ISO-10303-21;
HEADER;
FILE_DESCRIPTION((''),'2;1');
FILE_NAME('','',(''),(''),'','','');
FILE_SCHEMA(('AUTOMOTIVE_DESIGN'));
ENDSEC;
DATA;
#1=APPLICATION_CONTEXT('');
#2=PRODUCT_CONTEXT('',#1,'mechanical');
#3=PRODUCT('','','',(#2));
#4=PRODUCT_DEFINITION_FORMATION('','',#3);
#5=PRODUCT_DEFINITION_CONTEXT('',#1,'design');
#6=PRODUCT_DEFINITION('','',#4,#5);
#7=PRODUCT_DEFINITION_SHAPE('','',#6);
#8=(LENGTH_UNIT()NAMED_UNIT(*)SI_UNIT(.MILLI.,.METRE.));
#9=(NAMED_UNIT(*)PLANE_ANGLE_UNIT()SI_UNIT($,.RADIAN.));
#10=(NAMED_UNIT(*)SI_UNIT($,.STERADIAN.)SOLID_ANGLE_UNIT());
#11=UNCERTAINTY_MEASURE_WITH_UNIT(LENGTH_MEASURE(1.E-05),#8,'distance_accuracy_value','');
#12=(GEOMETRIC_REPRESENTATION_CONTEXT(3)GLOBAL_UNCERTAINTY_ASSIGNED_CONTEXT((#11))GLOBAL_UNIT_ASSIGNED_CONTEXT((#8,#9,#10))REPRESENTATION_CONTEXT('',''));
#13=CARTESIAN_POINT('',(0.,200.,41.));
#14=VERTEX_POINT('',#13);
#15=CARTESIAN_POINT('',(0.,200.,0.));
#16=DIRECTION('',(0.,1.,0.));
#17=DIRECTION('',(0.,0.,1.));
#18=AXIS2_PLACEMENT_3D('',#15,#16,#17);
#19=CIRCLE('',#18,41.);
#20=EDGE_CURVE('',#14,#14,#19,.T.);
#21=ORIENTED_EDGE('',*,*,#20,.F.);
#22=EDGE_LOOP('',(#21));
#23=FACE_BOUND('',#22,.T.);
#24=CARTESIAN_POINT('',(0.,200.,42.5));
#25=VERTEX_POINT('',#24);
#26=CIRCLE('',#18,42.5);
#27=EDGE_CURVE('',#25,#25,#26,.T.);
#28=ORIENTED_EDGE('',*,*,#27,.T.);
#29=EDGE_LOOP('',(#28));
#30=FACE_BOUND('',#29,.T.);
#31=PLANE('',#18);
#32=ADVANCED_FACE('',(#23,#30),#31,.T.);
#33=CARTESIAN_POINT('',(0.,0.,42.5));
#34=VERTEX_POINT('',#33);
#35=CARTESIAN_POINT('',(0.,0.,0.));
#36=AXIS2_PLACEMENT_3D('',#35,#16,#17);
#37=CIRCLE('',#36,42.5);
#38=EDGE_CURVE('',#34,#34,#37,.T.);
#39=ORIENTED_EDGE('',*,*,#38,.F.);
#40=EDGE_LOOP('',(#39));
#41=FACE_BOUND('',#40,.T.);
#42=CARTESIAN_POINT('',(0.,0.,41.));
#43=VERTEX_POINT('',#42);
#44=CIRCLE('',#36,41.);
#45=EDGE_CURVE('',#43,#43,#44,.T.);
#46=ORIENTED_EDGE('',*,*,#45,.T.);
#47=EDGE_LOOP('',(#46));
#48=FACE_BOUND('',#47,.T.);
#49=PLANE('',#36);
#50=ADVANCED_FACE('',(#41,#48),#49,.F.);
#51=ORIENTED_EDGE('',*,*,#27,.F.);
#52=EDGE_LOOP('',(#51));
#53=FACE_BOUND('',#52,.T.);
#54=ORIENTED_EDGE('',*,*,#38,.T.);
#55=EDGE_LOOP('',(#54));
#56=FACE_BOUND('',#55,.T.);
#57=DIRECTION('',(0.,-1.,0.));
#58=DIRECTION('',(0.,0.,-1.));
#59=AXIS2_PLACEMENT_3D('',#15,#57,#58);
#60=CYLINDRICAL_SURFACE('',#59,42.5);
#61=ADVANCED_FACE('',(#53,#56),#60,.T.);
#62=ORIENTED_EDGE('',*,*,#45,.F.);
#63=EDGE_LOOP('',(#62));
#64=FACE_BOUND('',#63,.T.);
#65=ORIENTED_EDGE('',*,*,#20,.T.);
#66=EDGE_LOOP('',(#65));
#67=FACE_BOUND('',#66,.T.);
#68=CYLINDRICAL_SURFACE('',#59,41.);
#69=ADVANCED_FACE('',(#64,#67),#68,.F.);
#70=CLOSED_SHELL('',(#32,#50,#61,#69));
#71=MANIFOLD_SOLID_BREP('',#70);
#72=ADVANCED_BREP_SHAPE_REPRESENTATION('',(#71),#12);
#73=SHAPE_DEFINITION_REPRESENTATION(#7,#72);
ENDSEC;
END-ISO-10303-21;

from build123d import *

# Parameters (mm, degrees)
SKETCH1_R           = 42.5
SKETCH1_R_2         = 41
BOSS_EXTRUDE1_DEPTH = 200


with BuildPart() as part:
    # Sketch1 → Boss-Extrude1 (new body)
    with BuildSketch(Plane(origin=(0, 0, 0), x_dir=(1, 0, 0), z_dir=(0, 1, 0))):
        Circle(SKETCH1_R)
        Circle(SKETCH1_R_2, mode=Mode.SUBTRACT)
    extrude(amount=BOSS_EXTRUDE1_DEPTH)


solid = part.part
